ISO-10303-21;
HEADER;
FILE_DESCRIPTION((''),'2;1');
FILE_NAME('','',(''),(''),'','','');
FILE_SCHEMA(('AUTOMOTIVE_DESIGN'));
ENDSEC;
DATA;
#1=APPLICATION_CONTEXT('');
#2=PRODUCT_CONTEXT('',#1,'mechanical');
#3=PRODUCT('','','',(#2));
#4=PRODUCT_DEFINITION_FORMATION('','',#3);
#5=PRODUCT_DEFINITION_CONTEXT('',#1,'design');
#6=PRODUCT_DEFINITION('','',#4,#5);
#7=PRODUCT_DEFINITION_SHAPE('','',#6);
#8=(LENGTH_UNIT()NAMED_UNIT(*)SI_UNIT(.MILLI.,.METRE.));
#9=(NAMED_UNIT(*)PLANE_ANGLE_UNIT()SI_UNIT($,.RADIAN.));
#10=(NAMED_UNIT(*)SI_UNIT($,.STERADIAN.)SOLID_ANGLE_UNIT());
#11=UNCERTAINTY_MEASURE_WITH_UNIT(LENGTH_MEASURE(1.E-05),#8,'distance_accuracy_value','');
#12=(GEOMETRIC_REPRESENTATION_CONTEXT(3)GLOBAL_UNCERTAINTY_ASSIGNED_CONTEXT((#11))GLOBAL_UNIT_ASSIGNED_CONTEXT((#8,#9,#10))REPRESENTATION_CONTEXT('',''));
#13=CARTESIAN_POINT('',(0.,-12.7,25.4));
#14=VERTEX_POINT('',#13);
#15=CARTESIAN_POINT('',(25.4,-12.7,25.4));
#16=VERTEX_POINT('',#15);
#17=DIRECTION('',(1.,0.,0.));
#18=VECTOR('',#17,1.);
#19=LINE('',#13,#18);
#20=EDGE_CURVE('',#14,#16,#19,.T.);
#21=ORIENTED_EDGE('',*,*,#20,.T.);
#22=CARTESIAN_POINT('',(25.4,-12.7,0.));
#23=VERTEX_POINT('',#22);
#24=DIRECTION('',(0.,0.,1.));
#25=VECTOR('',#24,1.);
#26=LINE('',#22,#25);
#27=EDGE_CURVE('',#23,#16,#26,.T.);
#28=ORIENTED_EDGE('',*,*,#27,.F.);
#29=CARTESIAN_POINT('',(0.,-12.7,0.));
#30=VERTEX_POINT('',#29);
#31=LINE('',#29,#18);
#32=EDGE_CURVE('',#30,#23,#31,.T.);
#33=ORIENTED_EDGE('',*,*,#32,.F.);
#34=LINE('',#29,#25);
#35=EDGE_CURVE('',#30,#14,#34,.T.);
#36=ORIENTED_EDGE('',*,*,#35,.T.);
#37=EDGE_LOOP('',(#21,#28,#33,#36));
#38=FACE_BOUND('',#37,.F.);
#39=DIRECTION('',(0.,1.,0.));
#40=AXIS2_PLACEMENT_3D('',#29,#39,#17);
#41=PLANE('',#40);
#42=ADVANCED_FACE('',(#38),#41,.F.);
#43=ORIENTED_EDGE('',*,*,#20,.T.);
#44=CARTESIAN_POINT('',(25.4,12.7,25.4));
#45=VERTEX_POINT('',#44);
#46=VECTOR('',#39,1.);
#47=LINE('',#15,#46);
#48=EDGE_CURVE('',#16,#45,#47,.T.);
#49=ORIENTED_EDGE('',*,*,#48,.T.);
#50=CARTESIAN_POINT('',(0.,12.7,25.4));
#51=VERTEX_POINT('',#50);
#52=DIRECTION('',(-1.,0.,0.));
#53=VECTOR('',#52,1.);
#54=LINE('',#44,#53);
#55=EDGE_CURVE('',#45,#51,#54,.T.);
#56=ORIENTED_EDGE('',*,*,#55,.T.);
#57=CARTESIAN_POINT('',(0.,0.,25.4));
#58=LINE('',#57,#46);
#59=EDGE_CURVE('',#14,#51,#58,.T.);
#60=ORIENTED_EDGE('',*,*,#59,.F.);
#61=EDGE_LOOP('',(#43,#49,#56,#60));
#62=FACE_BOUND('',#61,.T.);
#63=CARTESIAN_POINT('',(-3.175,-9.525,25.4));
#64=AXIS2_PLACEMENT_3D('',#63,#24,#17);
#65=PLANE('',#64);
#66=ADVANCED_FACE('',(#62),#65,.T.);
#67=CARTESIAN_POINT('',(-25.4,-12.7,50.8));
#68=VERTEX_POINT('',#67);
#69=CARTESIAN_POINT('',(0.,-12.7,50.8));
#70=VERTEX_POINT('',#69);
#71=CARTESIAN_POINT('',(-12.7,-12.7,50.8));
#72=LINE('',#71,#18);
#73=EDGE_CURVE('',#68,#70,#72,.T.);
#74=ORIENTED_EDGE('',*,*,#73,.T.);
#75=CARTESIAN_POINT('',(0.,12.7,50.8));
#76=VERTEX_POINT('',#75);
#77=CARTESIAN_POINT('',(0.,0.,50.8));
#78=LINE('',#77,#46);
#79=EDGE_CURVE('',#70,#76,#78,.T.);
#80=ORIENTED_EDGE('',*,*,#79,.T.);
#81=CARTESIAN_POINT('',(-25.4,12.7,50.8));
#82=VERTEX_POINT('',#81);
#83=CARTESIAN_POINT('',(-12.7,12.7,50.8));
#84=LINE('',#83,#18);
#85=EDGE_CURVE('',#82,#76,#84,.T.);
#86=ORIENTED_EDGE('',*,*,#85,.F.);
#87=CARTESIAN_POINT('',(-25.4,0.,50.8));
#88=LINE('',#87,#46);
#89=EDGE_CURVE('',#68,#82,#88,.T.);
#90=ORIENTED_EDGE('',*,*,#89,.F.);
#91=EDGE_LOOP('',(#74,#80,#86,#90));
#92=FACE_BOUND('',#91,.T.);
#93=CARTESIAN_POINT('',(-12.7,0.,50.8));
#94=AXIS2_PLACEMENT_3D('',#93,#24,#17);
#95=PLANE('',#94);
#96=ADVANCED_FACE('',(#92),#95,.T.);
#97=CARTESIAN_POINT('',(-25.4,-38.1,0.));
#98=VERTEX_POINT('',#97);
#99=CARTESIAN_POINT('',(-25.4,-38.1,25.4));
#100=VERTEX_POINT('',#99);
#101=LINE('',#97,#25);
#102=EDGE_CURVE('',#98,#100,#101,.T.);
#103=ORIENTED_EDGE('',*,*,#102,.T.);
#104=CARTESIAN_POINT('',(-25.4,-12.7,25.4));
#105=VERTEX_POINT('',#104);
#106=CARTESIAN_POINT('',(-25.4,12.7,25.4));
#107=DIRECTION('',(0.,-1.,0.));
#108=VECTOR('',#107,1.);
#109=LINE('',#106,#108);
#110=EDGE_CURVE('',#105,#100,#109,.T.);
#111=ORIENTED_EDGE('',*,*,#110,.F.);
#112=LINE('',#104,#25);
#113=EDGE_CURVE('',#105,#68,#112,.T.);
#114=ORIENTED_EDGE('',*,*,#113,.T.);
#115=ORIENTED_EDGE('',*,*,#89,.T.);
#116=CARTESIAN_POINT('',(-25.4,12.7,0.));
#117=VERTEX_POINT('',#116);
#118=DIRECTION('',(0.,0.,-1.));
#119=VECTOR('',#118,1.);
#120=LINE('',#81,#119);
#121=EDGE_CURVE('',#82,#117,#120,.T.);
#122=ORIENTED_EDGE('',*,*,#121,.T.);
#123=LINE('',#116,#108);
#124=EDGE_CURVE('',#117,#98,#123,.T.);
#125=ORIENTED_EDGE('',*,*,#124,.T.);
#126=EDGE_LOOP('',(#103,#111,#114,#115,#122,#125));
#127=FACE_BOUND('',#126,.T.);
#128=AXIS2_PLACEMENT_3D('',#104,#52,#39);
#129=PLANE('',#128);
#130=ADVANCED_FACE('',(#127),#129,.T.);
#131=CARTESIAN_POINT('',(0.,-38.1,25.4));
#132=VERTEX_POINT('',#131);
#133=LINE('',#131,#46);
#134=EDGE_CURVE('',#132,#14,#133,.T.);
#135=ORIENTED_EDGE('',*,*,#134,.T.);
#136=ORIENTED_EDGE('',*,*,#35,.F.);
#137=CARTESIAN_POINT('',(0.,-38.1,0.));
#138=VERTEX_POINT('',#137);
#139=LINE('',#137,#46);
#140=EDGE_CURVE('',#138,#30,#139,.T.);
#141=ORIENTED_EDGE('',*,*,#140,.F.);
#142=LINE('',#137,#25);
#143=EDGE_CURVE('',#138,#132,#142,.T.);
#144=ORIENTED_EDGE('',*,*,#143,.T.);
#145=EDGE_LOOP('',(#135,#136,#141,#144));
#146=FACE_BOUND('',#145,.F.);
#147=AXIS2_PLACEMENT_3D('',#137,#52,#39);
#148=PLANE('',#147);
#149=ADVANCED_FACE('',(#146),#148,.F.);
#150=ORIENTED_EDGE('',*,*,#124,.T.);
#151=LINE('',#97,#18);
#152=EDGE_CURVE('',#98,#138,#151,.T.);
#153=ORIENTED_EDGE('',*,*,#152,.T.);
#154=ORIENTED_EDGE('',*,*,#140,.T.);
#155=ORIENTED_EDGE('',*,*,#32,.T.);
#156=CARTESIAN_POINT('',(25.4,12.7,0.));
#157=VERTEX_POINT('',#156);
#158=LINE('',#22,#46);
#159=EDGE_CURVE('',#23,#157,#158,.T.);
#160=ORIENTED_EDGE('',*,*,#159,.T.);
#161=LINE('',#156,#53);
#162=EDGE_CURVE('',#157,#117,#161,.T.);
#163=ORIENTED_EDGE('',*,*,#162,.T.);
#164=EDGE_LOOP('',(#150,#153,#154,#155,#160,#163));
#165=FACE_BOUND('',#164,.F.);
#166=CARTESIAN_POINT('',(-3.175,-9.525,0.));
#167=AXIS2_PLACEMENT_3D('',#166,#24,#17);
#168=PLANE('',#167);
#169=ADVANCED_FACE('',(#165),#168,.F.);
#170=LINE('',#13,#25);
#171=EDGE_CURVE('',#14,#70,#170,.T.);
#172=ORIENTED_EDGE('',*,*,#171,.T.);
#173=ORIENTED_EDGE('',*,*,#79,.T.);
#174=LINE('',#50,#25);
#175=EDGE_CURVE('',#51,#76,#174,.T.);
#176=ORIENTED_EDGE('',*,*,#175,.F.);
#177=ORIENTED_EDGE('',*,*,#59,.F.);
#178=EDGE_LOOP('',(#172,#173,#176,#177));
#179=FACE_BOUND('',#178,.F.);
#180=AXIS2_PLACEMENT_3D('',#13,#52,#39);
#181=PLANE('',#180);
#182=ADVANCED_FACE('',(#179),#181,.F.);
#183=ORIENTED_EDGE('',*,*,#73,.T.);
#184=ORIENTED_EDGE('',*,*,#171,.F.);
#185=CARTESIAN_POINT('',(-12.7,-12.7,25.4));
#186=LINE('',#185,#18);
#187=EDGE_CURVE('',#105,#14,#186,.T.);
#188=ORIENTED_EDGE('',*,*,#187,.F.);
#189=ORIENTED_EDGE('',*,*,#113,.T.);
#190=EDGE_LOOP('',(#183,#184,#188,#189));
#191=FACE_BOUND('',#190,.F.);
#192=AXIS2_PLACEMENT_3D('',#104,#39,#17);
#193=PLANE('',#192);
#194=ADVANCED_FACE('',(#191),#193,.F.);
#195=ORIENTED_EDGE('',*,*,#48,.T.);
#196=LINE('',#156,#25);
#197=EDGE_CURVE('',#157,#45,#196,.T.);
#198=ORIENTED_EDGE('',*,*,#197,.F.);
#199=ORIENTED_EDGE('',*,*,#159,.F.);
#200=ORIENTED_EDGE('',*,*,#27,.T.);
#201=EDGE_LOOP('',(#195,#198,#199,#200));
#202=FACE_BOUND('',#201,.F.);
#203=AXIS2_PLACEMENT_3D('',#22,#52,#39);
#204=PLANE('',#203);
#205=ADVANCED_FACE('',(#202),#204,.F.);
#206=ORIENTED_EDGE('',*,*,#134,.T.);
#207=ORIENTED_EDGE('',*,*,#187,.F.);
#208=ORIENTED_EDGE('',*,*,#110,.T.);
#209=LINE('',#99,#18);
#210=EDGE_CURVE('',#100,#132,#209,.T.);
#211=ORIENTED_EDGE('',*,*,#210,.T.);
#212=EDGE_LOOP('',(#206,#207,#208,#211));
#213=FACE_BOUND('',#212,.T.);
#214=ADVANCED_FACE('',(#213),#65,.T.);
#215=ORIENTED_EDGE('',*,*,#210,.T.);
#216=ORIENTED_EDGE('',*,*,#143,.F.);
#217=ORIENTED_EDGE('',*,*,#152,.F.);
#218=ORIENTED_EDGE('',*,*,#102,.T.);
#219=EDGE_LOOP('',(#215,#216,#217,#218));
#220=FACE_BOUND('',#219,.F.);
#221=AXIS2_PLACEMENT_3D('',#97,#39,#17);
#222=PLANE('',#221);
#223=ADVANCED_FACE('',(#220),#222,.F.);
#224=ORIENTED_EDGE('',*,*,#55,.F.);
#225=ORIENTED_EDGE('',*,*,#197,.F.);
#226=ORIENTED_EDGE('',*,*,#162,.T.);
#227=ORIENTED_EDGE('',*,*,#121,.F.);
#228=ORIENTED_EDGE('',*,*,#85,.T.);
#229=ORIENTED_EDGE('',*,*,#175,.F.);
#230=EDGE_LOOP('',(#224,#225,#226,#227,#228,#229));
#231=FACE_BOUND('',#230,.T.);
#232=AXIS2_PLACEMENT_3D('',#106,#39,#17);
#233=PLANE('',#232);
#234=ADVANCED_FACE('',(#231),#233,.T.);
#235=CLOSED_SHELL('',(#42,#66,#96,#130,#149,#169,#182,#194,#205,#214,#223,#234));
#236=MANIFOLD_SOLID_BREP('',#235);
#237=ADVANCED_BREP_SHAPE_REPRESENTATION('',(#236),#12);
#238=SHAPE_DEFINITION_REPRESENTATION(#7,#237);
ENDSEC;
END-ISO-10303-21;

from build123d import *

# Parameters (mm, degrees)
F1_DEPTH = 25.4
F2_W     = 25.4
F2_H     = 25.4
F3_DEPTH = 25.4


with BuildPart() as f1:
    # F0 (on Top) → F1 (new body)
    with BuildSketch(Plane.XY):
        Polygon((0, -12.7), (25.4, -12.7), (25.4, 12.7), (-25.4, 12.7), (-25.4, -12.7), (-25.4, -38.1), (0, -38.1), align=None)
    extrude(amount=F1_DEPTH)

    # F2 (on face) → F3 (join)
    with BuildSketch(Plane.XY.offset(25.4)):
        with Locations((-12.7, 0)):
            Rectangle(F2_W, F2_H)
    extrude(amount=F3_DEPTH)


solid = f1.part
